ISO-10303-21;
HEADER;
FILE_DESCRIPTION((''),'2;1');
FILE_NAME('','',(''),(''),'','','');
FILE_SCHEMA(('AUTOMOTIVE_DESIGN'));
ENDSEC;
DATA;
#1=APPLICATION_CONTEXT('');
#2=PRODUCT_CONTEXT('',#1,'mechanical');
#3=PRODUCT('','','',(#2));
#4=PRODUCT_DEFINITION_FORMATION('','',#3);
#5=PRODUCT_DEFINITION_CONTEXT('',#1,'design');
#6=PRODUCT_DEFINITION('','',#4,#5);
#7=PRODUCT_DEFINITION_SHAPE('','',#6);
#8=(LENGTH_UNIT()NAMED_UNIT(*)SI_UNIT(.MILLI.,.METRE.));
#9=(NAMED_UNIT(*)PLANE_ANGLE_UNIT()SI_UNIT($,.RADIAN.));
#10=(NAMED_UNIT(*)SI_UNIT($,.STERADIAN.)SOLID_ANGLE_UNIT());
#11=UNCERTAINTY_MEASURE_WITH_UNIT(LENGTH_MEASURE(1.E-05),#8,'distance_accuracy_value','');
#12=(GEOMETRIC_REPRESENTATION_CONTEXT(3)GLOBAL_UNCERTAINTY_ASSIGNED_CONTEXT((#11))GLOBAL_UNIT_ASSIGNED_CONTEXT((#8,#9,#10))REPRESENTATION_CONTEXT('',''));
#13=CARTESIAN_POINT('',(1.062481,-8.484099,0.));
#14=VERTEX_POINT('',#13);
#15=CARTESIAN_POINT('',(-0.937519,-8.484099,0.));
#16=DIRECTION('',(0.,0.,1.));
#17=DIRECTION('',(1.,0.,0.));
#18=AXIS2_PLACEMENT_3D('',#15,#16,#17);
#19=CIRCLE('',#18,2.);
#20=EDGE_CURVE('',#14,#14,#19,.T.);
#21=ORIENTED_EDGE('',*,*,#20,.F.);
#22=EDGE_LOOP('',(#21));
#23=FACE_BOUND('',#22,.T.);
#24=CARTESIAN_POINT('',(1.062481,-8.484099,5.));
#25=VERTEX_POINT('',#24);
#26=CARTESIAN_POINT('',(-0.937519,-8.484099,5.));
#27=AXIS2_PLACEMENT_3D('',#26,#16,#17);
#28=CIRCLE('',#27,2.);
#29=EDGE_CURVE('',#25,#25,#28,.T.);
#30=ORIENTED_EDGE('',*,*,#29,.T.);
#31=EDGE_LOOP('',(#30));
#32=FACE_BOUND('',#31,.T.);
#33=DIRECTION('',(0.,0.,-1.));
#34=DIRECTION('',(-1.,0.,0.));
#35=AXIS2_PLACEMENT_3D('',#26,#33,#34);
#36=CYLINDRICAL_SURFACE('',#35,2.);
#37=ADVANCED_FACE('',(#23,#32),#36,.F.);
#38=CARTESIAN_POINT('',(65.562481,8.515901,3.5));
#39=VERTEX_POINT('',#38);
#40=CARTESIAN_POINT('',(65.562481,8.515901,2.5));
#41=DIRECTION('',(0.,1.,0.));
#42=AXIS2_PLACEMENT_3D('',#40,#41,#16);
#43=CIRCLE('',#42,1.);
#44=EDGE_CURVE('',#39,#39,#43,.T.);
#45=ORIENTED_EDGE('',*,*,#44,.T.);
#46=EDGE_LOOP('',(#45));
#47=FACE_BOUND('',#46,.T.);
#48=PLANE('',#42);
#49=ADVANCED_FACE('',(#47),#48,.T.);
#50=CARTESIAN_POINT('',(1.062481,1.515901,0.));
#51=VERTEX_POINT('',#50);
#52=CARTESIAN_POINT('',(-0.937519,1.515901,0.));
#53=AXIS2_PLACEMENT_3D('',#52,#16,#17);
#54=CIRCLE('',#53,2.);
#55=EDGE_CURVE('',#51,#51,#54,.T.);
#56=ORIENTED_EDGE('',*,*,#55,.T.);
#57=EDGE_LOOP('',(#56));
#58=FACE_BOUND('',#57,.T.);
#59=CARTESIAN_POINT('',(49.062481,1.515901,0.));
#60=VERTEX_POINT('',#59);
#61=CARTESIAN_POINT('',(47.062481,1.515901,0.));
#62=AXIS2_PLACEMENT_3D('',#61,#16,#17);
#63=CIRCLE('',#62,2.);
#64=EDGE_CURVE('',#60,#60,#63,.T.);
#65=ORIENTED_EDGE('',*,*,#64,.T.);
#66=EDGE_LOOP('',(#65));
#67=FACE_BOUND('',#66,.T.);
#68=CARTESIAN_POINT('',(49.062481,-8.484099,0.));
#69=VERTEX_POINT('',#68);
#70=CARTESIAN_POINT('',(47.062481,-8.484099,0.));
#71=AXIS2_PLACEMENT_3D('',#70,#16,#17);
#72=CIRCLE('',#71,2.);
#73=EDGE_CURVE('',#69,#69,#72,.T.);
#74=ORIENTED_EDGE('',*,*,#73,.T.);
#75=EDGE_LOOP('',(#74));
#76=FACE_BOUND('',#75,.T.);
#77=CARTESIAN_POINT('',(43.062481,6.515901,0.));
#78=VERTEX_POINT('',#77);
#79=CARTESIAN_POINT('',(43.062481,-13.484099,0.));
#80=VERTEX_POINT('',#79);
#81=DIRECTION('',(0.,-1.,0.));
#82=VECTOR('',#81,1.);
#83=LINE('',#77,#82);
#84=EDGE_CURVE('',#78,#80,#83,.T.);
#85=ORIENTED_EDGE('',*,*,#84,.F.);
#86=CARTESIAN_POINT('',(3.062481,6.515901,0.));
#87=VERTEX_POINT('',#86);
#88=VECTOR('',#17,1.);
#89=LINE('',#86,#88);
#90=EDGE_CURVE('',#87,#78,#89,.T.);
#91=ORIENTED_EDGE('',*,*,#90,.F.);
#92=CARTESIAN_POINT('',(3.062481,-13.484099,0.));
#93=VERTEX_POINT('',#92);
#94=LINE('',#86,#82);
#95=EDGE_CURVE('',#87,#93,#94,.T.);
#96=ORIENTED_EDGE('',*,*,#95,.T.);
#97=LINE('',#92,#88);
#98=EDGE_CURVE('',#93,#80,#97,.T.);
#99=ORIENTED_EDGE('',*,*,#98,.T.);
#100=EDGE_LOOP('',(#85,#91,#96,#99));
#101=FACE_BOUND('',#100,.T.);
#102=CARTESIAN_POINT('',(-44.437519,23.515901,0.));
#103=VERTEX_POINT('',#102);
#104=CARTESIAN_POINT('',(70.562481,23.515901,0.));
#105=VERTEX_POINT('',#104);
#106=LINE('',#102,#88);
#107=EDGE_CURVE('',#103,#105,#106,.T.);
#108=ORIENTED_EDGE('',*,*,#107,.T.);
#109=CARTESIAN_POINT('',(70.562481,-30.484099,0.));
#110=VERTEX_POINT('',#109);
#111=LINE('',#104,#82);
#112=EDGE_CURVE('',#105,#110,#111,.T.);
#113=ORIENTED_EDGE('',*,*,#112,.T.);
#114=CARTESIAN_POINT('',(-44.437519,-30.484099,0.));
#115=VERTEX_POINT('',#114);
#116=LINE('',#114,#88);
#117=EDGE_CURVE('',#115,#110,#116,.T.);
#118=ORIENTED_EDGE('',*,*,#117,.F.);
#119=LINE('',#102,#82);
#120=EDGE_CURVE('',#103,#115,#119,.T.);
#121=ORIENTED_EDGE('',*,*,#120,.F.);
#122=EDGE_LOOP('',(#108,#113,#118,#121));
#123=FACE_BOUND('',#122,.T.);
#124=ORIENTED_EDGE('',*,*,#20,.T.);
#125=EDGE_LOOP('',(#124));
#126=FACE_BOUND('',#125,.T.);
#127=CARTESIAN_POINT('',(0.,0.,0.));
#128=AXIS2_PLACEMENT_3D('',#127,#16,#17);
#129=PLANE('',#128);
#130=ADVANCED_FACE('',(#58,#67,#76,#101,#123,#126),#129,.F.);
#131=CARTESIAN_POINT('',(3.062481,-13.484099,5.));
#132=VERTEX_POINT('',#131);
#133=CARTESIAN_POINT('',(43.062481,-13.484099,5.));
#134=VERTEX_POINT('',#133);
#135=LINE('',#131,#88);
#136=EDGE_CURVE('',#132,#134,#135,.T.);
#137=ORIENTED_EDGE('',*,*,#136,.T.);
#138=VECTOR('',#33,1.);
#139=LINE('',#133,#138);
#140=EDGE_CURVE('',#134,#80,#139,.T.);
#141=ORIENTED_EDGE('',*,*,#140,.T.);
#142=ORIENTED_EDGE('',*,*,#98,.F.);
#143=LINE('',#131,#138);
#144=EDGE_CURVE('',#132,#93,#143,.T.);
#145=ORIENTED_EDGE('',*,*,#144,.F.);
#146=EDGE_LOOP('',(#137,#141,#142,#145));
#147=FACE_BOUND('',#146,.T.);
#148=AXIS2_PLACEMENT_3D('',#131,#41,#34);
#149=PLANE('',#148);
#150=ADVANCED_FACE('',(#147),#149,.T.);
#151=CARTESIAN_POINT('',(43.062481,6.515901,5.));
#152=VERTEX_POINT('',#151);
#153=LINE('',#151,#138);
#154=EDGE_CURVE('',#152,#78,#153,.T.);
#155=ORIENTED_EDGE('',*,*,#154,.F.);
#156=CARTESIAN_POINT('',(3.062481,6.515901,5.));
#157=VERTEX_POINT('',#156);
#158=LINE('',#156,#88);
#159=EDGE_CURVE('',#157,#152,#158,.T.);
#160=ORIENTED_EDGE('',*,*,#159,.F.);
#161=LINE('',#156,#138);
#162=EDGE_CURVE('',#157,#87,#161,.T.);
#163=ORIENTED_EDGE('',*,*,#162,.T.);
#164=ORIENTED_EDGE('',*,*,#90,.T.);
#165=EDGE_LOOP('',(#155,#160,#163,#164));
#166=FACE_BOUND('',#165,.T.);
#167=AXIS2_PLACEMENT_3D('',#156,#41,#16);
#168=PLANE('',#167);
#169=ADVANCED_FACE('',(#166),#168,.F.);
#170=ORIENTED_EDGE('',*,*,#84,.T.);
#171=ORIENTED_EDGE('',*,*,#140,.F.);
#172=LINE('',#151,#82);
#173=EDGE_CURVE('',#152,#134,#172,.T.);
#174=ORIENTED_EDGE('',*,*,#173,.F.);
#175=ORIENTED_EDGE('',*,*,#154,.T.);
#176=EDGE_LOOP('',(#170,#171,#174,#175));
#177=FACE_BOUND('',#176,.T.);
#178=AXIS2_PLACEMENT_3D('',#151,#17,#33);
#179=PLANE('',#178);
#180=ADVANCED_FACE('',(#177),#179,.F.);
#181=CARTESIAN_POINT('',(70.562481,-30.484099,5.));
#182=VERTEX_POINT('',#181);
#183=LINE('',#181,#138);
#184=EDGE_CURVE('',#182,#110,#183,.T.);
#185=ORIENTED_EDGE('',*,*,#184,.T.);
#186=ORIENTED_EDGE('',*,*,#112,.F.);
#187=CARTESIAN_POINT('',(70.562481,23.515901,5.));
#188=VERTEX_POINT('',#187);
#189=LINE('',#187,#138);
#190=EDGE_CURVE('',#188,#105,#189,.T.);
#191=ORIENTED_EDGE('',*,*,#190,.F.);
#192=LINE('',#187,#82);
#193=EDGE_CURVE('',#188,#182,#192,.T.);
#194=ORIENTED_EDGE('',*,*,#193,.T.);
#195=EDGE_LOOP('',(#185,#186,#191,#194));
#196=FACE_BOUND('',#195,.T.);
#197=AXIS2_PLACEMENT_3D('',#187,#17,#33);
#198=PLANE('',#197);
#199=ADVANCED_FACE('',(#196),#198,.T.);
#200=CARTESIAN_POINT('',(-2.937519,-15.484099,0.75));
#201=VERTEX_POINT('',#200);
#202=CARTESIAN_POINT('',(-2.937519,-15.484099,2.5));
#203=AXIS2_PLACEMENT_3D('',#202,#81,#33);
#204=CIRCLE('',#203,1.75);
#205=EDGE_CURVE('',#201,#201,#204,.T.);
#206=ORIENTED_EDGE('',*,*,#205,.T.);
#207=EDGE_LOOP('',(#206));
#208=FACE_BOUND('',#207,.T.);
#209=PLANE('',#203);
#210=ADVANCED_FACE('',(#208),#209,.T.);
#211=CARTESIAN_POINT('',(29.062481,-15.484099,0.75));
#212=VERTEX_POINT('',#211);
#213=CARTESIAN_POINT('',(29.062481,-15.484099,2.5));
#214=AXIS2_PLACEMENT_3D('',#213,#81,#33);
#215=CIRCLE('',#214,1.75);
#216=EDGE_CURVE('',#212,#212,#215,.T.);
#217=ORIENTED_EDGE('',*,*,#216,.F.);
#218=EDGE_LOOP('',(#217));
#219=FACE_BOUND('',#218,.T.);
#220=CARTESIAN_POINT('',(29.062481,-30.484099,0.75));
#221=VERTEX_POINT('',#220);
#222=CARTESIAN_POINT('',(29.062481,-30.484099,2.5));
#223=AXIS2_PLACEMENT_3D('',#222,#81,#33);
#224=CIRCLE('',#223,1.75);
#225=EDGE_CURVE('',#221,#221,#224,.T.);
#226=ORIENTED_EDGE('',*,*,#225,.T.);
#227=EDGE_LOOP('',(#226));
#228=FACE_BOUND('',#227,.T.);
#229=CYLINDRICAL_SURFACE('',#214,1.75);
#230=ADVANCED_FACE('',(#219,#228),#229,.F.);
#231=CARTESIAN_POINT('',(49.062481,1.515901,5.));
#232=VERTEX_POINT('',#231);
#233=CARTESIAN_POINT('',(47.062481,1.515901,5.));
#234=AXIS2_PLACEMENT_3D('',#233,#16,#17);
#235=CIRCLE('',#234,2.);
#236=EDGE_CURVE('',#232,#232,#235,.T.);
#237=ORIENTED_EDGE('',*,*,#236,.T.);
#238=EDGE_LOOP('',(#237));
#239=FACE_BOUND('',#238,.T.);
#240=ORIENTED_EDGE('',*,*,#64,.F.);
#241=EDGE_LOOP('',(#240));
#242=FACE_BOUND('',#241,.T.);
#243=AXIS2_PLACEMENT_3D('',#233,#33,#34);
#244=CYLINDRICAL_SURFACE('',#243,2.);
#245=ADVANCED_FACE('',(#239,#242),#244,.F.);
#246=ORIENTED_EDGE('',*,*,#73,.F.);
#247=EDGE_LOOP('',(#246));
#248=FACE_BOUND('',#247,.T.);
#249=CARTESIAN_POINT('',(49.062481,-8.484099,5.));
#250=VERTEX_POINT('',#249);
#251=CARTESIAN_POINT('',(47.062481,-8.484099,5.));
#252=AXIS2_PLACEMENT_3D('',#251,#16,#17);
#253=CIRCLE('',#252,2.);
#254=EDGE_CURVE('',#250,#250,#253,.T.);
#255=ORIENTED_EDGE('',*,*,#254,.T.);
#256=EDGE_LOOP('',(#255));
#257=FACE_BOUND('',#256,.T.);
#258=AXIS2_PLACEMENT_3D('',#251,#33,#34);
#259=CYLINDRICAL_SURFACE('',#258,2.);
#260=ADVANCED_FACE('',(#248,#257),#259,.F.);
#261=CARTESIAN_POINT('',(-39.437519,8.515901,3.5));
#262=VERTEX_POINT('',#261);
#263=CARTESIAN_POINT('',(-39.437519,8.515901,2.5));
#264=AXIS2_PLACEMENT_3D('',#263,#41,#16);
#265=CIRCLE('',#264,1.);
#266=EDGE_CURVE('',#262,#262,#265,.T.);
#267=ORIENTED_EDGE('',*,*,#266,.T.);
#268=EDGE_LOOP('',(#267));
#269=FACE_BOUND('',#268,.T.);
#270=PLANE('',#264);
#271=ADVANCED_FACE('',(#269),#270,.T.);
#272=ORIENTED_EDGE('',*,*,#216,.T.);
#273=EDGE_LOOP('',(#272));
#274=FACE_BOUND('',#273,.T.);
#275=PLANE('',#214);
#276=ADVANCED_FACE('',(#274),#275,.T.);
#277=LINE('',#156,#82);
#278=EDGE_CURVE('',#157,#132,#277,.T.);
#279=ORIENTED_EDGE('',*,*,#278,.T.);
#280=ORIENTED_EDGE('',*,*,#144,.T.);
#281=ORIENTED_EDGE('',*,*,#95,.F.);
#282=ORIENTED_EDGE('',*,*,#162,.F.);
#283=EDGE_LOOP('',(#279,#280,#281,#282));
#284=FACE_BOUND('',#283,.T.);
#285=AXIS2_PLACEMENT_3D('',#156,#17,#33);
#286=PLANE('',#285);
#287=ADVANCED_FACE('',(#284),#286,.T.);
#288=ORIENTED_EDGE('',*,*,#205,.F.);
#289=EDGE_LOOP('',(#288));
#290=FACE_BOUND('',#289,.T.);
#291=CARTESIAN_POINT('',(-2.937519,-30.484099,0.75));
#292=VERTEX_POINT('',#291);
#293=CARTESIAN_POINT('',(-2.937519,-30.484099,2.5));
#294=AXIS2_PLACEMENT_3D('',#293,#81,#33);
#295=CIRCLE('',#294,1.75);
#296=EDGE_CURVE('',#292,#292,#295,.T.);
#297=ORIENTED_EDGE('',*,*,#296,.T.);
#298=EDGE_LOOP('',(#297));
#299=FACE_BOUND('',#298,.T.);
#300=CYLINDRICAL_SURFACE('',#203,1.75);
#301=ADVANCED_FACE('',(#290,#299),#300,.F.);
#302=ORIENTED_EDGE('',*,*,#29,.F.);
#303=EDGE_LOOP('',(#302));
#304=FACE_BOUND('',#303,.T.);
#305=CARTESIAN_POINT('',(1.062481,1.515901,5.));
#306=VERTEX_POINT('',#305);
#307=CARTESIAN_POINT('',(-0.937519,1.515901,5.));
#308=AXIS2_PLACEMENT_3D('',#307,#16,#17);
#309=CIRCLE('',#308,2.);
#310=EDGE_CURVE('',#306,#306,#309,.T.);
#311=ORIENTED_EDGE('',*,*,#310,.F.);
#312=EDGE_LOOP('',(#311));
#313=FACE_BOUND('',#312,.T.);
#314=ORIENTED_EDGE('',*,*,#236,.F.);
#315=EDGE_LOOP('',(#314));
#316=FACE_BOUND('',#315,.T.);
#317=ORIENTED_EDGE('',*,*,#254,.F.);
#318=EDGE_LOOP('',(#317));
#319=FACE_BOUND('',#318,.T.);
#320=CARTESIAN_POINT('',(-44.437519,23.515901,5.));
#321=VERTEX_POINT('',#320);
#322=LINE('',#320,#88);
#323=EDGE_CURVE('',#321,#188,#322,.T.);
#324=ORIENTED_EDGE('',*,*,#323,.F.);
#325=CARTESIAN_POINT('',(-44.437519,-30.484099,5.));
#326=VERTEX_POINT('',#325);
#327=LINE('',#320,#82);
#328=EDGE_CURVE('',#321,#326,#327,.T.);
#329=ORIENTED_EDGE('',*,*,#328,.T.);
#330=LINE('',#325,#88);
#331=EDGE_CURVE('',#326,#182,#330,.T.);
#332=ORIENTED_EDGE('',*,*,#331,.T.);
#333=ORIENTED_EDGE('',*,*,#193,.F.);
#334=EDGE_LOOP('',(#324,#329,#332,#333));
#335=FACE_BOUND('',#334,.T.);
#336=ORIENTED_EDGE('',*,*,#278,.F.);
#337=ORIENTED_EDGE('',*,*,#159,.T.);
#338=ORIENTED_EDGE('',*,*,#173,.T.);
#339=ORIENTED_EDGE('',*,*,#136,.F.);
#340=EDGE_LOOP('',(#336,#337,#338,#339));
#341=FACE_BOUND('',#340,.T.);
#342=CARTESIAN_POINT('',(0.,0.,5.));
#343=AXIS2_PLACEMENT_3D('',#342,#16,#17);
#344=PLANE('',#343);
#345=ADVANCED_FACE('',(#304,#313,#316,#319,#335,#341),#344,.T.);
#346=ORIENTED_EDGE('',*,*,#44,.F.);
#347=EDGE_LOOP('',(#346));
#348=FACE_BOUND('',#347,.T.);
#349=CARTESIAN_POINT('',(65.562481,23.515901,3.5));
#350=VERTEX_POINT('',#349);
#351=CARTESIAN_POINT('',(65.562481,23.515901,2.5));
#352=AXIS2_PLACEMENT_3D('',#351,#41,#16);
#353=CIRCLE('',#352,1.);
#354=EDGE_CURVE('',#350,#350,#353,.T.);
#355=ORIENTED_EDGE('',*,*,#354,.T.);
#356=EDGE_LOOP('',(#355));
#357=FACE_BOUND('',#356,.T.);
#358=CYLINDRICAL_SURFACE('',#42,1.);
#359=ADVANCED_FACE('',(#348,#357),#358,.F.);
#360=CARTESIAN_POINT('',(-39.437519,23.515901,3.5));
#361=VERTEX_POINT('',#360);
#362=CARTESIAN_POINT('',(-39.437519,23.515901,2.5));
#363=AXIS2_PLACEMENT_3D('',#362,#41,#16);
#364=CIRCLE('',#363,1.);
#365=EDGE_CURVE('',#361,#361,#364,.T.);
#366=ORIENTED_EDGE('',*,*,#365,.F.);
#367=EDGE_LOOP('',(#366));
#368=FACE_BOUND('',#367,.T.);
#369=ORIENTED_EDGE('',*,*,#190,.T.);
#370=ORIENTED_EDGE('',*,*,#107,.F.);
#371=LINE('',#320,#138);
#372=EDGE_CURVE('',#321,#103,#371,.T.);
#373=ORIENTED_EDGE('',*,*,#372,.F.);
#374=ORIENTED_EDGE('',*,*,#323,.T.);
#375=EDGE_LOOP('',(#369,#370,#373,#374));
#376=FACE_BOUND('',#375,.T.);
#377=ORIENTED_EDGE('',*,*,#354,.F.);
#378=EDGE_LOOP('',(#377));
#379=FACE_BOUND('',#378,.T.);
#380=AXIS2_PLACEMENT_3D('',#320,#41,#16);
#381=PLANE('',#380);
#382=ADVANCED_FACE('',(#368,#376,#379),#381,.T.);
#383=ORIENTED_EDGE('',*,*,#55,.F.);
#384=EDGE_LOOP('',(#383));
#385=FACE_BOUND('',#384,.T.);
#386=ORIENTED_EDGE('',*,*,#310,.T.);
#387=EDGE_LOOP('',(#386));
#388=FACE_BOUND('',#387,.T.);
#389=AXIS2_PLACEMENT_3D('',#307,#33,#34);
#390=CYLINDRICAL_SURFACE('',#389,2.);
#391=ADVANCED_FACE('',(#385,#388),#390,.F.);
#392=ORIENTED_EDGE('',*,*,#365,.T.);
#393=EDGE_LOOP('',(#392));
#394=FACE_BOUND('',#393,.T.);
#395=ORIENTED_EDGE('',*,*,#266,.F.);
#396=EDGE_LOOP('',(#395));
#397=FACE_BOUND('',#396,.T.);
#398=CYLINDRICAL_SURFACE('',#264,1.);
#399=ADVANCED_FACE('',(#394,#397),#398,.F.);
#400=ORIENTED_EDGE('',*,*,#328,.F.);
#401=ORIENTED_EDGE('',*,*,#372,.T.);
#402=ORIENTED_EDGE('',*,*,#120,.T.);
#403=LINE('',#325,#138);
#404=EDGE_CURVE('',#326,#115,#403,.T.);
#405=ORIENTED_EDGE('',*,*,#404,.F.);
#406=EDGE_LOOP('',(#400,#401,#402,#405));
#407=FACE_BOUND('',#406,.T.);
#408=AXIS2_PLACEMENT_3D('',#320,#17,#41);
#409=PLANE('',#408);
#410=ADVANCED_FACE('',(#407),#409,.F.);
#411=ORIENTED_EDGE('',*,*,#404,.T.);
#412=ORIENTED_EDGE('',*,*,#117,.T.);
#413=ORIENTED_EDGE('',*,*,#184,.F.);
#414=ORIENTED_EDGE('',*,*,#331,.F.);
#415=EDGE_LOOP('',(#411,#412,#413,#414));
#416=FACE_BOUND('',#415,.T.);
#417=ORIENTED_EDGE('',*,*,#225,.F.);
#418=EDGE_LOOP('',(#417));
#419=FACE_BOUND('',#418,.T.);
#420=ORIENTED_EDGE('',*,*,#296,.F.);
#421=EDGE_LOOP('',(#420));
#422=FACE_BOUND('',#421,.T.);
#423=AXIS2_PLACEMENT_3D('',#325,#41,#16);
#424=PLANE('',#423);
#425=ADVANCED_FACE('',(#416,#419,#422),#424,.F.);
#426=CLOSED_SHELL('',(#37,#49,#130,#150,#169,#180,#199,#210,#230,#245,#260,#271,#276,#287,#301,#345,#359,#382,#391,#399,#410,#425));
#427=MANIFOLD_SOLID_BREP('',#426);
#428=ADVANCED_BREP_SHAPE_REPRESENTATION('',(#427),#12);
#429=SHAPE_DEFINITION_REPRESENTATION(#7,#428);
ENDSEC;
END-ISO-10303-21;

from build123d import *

# Parameters (mm, degrees)
SKETCH_1_W          = 115
SKETCH_1_H          = 54
SKETCH_1_R          = 2
SKETCH_1_W_2        = 40
SKETCH_1_H_2        = 20
EXTRUDE_3_DEPTH     = 5
SKETCH_2_R          = 1
CUT_EXTRUDE_1_DEPTH = 15
SKETCH_3_R          = 1.75
CUT_EXTRUDE_2_DEPTH = 15


with BuildPart() as part:
    # 草圖1 → 填料-伸長3 (new body)
    with BuildSketch(Plane.XY):
        with Locations((13.062480584, -3.484099434)):
            Rectangle(SKETCH_1_W, SKETCH_1_H)
        with Locations((-0.937519416, -8.484099434)):
            Circle(SKETCH_1_R, mode=Mode.SUBTRACT)
        with Locations((47.062480584, -8.484099434)):
            Circle(SKETCH_1_R, mode=Mode.SUBTRACT)
        with Locations((-0.937519416, 1.515900566)):
            Circle(SKETCH_1_R, mode=Mode.SUBTRACT)
        with Locations((47.062480584, 1.515900566)):
            Circle(SKETCH_1_R, mode=Mode.SUBTRACT)
        with Locations((23.062480584, -3.484099434)):
            Rectangle(SKETCH_1_W_2, SKETCH_1_H_2, mode=Mode.SUBTRACT)
    extrude(amount=EXTRUDE_3_DEPTH)

    # 草圖2 → 除料-伸長1 (cut)
    with BuildSketch(Plane(origin=(0, 23.515900566, 0), x_dir=(1, 0, 0), z_dir=(0, 1, 0))):
        with Locations(Location((-39.437519416, -2.5, 0), (0, 0, 270))):
            Circle(SKETCH_2_R)
        with Locations(Location((65.562480584, -2.5, 0), (0, 0, 270))):
            Circle(SKETCH_2_R)
    extrude(amount=-CUT_EXTRUDE_1_DEPTH, mode=Mode.SUBTRACT)

    # 草圖3 → 除料-伸長2 (cut)
    with BuildSketch(Plane.XZ.offset(30.484099434)):
        with Locations(Location((29.062480584, 2.5, 0), (0, 0, 270))):
            Circle(SKETCH_3_R)
        with Locations(Location((-2.937519416, 2.5, 0), (0, 0, 270))):
            Circle(SKETCH_3_R)
    extrude(amount=-CUT_EXTRUDE_2_DEPTH, mode=Mode.SUBTRACT)


solid = part.part
